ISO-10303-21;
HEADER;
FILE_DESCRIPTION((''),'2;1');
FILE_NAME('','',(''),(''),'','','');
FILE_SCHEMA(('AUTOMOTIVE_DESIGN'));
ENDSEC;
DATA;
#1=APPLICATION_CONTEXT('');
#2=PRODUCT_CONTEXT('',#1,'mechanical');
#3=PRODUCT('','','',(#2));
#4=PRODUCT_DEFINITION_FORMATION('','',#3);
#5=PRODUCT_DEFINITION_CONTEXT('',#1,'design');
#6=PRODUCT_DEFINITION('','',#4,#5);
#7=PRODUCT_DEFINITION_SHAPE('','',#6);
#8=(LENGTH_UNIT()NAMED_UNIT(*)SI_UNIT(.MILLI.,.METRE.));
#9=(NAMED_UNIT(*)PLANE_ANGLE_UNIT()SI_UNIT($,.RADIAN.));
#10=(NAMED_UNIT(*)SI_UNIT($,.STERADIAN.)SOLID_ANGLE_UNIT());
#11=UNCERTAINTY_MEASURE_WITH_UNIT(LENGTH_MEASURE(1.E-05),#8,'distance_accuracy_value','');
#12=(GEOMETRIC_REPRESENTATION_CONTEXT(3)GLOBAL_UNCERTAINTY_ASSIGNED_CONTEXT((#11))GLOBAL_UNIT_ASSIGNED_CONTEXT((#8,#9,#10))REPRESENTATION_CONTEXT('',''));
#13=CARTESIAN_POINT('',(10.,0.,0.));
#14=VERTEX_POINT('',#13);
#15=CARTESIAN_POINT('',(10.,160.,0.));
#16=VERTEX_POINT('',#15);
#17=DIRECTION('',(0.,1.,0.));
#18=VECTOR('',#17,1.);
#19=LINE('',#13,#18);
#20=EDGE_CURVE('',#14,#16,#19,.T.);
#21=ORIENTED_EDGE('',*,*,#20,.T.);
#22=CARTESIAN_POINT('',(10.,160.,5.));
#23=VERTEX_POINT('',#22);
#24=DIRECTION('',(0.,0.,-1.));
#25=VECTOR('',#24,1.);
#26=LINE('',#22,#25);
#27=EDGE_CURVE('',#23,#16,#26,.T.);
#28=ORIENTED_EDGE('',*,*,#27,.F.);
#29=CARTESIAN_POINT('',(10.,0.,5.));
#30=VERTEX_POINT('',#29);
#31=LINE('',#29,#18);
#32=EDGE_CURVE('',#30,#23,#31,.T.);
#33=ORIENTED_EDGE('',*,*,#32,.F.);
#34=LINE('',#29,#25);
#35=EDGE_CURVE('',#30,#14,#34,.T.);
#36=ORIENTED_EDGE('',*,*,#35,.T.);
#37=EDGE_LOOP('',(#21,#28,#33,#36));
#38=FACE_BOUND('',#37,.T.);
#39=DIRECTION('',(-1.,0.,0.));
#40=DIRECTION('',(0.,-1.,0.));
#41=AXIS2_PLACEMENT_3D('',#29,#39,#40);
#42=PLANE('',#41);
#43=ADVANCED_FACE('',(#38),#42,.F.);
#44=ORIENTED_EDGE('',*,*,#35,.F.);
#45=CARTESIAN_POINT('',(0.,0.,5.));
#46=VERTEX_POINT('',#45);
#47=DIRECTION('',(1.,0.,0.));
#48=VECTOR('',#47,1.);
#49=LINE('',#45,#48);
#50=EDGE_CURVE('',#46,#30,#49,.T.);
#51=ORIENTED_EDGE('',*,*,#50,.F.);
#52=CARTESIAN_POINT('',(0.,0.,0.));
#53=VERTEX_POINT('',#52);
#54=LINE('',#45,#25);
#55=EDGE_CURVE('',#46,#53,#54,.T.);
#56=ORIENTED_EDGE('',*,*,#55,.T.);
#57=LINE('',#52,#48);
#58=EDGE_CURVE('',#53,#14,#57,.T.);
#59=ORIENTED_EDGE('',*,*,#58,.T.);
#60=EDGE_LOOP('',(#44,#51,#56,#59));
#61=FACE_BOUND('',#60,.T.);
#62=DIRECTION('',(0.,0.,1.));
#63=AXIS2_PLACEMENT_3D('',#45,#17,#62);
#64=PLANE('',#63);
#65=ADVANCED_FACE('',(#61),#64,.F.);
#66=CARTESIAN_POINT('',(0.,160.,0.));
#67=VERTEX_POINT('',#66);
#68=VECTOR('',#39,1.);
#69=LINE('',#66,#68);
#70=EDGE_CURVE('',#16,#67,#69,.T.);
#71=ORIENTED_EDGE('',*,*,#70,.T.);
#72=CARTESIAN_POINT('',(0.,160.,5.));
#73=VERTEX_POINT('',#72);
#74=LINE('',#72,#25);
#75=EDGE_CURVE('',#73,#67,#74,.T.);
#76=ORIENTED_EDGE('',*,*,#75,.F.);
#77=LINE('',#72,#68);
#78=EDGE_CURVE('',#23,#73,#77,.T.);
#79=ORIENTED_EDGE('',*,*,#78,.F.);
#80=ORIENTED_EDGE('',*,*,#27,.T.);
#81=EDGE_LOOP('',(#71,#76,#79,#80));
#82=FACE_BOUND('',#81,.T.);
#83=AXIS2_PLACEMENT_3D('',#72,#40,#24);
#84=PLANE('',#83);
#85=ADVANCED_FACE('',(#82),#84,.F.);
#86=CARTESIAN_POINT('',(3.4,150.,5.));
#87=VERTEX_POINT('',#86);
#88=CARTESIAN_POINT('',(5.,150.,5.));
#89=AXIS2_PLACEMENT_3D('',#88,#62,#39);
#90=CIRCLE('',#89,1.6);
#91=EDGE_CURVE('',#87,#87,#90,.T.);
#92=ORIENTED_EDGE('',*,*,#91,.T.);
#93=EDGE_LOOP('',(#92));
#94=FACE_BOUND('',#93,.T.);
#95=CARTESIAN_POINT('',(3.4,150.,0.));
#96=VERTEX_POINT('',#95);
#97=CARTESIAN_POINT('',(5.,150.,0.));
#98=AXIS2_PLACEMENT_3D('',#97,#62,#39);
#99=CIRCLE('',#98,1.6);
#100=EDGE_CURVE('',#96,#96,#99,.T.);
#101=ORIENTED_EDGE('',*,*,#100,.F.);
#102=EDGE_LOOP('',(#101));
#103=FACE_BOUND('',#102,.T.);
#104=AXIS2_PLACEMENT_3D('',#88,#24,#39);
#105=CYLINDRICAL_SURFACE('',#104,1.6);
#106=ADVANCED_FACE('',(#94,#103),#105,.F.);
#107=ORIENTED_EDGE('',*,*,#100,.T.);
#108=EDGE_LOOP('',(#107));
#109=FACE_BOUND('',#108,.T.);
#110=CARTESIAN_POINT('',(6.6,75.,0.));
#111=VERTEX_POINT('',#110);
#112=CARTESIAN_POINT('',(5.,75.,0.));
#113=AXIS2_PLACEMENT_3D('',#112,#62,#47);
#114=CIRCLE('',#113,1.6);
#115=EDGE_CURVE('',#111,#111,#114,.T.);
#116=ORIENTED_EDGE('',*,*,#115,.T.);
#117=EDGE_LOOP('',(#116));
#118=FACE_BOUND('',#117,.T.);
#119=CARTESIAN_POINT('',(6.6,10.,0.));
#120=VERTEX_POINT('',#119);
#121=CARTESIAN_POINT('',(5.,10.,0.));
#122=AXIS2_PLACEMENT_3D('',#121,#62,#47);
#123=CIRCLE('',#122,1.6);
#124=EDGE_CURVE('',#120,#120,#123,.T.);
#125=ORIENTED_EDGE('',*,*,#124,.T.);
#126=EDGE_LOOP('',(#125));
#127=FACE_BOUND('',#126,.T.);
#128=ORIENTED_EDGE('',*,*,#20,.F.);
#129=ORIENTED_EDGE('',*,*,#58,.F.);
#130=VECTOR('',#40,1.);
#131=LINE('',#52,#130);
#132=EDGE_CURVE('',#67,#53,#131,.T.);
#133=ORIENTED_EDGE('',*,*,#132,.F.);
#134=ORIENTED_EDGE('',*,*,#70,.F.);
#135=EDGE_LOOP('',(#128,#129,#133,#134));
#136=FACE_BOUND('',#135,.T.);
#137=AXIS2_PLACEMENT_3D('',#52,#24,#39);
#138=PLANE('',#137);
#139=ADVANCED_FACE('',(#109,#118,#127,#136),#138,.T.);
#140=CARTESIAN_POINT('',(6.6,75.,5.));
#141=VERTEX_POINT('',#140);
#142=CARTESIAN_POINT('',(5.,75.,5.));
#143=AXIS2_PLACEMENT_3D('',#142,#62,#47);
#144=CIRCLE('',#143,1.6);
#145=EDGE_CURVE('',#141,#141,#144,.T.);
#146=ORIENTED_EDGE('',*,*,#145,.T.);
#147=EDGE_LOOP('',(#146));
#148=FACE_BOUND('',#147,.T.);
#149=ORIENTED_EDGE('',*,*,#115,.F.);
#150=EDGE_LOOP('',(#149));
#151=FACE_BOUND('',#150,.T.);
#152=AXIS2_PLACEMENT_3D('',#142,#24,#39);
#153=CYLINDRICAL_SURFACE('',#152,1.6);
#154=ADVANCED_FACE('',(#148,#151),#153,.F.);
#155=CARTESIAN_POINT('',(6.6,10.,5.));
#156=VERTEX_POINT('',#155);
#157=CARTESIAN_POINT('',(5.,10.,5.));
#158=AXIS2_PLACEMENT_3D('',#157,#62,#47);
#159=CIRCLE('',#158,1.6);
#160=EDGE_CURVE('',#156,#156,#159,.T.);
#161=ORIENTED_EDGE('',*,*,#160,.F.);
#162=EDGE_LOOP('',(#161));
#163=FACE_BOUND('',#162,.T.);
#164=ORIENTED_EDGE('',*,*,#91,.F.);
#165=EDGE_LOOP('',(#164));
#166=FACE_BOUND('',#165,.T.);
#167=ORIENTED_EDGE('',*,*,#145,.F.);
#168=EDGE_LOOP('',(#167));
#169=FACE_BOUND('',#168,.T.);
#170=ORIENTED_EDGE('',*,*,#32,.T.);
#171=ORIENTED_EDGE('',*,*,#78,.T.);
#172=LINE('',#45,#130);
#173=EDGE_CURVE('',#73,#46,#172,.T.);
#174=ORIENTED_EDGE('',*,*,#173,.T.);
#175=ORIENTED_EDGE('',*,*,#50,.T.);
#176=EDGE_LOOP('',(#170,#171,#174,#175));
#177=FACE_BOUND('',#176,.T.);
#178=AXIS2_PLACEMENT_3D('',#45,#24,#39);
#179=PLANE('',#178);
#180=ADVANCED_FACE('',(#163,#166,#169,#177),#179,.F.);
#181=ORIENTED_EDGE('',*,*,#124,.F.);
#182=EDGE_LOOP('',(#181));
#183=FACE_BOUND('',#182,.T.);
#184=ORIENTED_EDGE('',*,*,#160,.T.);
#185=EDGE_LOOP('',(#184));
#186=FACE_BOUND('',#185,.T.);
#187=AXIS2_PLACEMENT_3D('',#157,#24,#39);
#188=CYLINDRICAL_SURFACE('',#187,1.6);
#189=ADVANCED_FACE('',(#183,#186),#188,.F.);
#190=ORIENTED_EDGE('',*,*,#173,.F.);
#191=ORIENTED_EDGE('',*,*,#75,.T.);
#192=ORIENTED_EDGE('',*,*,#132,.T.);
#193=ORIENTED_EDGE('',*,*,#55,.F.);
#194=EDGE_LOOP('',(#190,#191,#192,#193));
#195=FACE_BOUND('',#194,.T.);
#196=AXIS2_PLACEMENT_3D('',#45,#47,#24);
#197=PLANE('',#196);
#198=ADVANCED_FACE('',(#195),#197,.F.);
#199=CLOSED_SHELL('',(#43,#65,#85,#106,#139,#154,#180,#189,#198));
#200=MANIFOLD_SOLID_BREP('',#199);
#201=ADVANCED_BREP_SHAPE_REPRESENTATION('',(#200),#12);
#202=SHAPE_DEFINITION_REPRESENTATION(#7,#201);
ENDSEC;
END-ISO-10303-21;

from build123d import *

# Parameters (mm, degrees)
ESQUISSE1_W        = 10
ESQUISSE1_H        = 160
ESQUISSE1_R        = 1.6
BOSS_EXTRU_1_DEPTH = 5


with BuildPart() as part:
    # Esquisse1 → Boss.-Extru.1 (new body)
    with BuildSketch(Plane.XY):
        with Locations((5, 80)):
            Rectangle(ESQUISSE1_W, ESQUISSE1_H)
        with Locations((5, 10)):
            Circle(ESQUISSE1_R, mode=Mode.SUBTRACT)
        with Locations(Location((5, 150, 0), (0, 0, 180))):
            Circle(ESQUISSE1_R, mode=Mode.SUBTRACT)
        with Locations((5, 75)):
            Circle(ESQUISSE1_R, mode=Mode.SUBTRACT)
    extrude(amount=BOSS_EXTRU_1_DEPTH)


solid = part.part
